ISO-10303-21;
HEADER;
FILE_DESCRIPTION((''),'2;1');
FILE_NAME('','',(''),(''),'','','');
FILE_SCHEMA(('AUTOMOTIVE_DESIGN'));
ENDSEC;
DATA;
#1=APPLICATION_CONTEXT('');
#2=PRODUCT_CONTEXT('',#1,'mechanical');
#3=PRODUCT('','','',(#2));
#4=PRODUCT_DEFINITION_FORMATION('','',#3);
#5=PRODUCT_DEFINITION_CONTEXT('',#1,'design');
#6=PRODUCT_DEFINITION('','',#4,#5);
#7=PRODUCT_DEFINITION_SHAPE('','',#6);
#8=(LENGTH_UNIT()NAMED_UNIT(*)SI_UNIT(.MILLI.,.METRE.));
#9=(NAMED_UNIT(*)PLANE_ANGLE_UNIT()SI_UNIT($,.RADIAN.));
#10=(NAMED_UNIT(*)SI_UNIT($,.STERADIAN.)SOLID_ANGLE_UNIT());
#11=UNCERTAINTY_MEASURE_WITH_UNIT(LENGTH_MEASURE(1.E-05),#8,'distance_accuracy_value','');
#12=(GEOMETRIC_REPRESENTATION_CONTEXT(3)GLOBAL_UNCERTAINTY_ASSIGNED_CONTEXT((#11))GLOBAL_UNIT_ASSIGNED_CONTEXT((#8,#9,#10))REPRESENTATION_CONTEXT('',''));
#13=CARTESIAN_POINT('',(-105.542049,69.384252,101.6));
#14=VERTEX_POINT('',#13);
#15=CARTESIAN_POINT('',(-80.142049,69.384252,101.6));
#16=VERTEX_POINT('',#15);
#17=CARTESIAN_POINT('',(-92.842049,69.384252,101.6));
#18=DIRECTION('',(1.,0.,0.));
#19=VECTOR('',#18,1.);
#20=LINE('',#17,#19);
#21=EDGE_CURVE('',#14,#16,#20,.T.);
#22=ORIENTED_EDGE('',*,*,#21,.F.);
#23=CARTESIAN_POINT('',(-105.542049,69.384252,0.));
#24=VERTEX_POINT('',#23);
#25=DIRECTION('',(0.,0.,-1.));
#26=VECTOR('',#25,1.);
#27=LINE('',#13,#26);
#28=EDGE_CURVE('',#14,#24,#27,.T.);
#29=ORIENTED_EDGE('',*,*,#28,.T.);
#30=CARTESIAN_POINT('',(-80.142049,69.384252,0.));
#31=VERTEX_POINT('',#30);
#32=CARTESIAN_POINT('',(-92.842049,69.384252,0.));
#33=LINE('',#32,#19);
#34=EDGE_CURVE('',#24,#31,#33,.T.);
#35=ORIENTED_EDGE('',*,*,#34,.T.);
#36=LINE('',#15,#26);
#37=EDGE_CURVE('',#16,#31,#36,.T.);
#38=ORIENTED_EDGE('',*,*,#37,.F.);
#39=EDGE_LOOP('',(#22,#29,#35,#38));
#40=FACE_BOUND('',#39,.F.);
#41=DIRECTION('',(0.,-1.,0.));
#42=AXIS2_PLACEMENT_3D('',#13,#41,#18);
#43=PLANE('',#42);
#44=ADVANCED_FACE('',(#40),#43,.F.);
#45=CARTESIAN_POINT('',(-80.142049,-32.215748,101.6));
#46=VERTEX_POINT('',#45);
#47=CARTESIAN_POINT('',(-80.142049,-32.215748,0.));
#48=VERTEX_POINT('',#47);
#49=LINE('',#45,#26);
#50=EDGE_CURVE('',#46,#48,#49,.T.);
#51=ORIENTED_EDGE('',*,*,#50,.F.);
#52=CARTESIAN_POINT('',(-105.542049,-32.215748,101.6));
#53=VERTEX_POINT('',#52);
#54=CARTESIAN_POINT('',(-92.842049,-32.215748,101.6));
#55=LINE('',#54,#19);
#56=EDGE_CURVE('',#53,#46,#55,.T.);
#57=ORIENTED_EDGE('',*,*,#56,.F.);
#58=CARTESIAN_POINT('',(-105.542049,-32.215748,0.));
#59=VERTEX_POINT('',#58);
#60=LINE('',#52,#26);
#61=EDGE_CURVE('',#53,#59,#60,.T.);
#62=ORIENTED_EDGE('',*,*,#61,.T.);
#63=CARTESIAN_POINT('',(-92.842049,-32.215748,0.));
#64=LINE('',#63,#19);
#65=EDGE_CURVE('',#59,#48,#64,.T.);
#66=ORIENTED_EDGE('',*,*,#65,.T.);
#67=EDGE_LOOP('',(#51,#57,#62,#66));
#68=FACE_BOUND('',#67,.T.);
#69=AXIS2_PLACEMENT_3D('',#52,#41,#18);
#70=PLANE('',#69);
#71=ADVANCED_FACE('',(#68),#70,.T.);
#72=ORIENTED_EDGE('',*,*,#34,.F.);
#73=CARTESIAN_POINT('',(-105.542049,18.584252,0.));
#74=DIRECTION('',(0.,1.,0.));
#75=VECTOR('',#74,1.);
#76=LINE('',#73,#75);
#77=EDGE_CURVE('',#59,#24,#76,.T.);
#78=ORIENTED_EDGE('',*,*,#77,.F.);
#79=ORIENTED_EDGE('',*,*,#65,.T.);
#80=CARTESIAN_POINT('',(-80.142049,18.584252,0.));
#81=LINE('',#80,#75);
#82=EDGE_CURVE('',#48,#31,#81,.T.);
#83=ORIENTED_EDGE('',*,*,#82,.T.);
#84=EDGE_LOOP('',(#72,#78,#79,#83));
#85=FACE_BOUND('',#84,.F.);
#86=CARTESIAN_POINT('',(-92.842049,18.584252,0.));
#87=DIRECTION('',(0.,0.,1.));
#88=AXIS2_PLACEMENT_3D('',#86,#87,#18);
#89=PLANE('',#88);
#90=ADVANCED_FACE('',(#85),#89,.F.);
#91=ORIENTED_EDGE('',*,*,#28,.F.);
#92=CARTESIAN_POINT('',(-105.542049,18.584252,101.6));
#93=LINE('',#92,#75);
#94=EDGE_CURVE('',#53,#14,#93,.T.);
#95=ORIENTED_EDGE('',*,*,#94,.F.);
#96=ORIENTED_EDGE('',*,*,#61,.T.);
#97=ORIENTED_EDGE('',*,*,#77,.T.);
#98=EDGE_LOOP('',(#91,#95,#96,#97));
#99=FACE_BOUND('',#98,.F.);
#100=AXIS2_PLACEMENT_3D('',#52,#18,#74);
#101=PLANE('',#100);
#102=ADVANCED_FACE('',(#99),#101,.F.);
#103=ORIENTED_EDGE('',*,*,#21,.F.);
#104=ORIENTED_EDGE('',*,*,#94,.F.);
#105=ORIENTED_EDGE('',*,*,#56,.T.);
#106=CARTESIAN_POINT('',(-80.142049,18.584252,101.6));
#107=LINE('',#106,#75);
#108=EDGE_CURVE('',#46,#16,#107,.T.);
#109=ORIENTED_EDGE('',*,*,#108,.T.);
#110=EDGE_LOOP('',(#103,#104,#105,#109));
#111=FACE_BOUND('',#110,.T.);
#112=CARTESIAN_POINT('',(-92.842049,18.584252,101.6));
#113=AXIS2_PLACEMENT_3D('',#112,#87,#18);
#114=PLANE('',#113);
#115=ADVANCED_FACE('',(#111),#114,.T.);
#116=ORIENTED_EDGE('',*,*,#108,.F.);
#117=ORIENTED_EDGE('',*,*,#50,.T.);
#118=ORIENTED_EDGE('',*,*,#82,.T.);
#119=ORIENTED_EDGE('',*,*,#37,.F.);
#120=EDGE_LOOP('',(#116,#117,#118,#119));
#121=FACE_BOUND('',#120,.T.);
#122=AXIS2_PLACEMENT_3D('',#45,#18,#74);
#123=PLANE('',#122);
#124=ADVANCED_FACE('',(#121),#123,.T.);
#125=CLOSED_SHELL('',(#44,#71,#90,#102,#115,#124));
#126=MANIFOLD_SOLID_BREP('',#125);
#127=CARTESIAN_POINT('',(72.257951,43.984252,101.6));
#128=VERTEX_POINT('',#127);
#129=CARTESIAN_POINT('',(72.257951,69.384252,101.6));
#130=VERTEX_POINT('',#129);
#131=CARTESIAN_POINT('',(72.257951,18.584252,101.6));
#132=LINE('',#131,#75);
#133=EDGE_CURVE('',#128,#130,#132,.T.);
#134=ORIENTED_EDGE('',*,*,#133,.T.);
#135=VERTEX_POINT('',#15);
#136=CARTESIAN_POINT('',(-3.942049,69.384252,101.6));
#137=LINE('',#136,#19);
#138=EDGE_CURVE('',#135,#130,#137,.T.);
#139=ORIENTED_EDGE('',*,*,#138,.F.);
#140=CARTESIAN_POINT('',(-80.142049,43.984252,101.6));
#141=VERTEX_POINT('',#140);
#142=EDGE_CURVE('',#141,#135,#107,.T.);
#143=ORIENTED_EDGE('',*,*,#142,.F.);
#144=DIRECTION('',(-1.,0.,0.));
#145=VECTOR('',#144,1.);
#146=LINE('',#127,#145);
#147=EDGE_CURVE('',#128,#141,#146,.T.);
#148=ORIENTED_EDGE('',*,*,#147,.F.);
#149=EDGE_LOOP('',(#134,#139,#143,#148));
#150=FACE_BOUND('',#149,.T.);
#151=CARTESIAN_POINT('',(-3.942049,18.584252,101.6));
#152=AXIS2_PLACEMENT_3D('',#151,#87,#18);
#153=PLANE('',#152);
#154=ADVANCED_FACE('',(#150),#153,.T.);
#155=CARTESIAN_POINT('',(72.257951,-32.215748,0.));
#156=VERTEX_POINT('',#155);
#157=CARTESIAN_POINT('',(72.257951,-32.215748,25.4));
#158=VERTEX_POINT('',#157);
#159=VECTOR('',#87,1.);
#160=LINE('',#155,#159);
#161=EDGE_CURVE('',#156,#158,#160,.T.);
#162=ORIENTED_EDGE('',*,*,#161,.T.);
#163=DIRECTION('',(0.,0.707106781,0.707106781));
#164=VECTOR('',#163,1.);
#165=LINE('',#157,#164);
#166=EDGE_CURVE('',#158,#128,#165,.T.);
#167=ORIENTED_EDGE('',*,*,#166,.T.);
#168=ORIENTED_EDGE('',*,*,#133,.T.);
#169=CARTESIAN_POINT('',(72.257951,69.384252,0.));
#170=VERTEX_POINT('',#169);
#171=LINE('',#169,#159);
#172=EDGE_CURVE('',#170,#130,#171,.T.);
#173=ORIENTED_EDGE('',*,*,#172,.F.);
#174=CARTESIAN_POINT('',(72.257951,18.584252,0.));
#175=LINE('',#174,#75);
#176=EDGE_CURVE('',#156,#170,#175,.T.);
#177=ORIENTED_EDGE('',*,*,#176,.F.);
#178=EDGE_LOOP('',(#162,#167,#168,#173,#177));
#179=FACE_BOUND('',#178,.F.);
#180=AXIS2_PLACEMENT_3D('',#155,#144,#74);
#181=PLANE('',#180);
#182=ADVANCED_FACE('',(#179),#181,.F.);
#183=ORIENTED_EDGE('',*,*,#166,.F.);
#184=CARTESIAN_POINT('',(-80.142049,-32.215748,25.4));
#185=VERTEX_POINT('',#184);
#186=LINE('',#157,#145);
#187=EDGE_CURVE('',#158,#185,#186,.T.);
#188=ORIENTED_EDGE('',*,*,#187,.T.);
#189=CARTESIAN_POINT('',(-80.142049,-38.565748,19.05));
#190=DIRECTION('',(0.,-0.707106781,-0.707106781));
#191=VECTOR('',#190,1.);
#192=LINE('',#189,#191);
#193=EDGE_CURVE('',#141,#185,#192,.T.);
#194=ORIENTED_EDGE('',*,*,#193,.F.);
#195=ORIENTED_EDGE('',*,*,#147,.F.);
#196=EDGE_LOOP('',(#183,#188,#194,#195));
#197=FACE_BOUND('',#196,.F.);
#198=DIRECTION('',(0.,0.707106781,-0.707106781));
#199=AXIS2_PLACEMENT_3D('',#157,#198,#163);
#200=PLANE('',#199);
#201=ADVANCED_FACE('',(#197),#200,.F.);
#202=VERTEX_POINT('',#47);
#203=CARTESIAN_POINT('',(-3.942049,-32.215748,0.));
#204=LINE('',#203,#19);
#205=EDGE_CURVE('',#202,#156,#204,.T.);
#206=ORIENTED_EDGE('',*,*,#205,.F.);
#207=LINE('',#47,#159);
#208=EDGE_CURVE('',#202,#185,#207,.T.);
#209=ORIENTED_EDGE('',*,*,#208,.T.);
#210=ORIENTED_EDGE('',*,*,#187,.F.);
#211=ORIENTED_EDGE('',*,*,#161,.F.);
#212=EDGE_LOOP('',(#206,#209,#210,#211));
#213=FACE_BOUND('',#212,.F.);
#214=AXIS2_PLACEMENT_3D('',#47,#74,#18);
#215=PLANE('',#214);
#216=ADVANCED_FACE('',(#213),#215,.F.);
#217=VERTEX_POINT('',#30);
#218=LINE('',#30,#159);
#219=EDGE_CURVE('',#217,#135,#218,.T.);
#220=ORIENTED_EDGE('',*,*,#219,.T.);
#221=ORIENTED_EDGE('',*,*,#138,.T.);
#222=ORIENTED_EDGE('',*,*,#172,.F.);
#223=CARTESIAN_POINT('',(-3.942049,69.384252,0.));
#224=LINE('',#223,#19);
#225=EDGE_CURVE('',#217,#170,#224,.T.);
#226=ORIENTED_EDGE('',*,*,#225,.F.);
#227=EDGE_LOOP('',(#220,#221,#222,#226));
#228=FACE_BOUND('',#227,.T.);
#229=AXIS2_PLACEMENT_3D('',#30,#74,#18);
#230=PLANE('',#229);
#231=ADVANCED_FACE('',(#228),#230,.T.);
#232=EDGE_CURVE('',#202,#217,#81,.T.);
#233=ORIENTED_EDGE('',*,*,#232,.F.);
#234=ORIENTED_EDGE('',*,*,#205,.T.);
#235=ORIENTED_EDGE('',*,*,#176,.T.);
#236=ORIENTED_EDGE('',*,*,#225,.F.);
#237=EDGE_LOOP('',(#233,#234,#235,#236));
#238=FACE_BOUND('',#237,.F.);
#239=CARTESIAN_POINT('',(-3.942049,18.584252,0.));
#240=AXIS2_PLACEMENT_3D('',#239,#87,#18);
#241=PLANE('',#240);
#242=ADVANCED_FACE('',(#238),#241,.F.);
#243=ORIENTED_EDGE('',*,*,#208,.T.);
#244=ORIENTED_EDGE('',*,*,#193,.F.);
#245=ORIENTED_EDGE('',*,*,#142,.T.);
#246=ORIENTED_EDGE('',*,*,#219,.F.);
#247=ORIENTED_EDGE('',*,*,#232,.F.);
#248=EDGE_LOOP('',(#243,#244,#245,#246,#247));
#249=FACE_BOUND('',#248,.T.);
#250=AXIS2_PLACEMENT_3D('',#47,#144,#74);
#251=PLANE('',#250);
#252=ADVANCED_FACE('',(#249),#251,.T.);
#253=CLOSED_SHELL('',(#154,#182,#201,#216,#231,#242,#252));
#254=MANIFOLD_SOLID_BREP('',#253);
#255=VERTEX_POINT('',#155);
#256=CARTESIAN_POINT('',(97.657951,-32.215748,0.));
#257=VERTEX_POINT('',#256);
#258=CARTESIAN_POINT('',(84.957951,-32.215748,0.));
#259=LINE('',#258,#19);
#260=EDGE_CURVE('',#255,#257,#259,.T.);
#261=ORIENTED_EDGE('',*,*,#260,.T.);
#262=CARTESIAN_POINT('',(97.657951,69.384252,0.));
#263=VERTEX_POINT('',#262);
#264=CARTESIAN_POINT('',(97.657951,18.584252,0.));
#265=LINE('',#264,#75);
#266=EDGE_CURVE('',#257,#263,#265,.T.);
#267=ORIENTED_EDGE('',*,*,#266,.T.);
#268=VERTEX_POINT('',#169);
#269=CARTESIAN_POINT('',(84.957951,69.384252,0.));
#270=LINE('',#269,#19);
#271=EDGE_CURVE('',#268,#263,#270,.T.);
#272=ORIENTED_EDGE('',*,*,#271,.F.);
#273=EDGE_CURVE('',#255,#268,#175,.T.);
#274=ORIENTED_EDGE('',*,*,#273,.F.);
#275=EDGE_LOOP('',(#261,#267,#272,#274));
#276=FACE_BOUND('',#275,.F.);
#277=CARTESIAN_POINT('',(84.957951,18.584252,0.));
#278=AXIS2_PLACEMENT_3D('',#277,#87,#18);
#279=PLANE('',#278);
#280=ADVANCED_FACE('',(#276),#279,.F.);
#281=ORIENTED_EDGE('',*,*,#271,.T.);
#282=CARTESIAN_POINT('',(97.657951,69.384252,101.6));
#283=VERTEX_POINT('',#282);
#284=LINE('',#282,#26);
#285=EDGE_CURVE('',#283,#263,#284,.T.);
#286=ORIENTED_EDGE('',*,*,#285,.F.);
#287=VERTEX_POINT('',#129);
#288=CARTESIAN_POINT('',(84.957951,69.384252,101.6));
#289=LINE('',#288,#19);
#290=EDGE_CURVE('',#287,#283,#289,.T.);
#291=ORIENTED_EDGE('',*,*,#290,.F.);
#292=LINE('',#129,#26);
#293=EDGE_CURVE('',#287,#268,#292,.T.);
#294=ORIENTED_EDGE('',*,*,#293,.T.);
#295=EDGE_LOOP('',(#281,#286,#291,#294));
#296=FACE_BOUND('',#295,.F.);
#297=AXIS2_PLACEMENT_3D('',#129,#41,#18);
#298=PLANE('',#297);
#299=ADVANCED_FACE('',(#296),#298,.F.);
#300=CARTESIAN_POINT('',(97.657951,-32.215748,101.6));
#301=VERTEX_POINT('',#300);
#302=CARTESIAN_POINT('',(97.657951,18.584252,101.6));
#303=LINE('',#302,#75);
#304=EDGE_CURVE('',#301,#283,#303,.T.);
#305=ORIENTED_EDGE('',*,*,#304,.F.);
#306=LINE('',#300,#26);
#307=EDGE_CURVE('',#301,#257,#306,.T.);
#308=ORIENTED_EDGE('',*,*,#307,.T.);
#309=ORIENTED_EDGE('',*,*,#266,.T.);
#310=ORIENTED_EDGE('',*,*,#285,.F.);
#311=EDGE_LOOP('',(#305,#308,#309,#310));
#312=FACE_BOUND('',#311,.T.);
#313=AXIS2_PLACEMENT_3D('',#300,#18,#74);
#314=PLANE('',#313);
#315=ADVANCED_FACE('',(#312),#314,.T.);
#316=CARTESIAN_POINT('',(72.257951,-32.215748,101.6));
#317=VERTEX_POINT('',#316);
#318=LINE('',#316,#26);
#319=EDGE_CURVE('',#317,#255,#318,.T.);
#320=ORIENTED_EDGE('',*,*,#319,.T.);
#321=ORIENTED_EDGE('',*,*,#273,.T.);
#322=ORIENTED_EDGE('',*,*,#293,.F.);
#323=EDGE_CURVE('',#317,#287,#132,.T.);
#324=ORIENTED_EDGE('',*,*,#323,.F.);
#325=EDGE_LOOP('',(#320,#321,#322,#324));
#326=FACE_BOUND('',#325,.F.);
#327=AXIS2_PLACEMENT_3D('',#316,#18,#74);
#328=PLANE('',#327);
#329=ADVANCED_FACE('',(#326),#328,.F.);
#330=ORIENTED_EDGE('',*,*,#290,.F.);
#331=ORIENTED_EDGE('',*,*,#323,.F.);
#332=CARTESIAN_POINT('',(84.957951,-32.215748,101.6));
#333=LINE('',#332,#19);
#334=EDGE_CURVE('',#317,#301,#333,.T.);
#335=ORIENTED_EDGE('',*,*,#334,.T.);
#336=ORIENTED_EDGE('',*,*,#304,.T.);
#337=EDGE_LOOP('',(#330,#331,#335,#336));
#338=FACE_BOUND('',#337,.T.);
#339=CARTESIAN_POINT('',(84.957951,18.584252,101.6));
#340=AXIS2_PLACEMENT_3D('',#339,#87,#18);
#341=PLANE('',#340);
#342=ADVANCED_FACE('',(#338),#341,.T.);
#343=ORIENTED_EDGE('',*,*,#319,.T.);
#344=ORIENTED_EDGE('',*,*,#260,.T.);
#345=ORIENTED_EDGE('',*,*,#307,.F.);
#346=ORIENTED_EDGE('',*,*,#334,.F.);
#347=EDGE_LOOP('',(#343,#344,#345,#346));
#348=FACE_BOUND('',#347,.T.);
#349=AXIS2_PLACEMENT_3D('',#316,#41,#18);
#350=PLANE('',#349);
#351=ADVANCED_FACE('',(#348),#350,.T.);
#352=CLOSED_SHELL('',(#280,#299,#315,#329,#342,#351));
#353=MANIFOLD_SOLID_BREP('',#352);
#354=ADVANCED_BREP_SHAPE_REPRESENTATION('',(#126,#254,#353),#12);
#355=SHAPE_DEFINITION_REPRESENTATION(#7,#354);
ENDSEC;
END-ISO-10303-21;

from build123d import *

# Parameters (mm, degrees)
F0_W     = 152.4
F0_H     = 101.6
F1_DEPTH = 101.6
F3_DEPTH = 152.401
F4_W     = 25.4
F4_H     = 101.6
F5_DEPTH = 101.6


with BuildPart() as f1:
    # F0 (on Top) → F1 (new body)
    with BuildSketch(Plane.XY):
        with Locations((-3.942049, 18.584252)):
            Rectangle(F0_W, F0_H)
    extrude(amount=F1_DEPTH)

    # F2 (on face) → F3 (cut, through all)
    with BuildSketch(Plane.YZ.offset(72.257951)):
        Polygon((-32.215748, 101.6), (-32.215748, 25.4), (43.984252, 101.6), align=None)
    extrude(amount=-F3_DEPTH, mode=Mode.SUBTRACT)


with BuildPart() as f5:
    # F4 (on face) → F5 (new body)
    with BuildSketch(Plane.XY.offset(101.6)):
        with Locations((-92.842049, 18.584252)):
            Rectangle(F4_W, F4_H)
        with Locations((84.957951, 18.584252)):
            Rectangle(F4_W, F4_H)
    extrude(amount=-F5_DEPTH)


solid = Compound([f1.part, f5.part])
